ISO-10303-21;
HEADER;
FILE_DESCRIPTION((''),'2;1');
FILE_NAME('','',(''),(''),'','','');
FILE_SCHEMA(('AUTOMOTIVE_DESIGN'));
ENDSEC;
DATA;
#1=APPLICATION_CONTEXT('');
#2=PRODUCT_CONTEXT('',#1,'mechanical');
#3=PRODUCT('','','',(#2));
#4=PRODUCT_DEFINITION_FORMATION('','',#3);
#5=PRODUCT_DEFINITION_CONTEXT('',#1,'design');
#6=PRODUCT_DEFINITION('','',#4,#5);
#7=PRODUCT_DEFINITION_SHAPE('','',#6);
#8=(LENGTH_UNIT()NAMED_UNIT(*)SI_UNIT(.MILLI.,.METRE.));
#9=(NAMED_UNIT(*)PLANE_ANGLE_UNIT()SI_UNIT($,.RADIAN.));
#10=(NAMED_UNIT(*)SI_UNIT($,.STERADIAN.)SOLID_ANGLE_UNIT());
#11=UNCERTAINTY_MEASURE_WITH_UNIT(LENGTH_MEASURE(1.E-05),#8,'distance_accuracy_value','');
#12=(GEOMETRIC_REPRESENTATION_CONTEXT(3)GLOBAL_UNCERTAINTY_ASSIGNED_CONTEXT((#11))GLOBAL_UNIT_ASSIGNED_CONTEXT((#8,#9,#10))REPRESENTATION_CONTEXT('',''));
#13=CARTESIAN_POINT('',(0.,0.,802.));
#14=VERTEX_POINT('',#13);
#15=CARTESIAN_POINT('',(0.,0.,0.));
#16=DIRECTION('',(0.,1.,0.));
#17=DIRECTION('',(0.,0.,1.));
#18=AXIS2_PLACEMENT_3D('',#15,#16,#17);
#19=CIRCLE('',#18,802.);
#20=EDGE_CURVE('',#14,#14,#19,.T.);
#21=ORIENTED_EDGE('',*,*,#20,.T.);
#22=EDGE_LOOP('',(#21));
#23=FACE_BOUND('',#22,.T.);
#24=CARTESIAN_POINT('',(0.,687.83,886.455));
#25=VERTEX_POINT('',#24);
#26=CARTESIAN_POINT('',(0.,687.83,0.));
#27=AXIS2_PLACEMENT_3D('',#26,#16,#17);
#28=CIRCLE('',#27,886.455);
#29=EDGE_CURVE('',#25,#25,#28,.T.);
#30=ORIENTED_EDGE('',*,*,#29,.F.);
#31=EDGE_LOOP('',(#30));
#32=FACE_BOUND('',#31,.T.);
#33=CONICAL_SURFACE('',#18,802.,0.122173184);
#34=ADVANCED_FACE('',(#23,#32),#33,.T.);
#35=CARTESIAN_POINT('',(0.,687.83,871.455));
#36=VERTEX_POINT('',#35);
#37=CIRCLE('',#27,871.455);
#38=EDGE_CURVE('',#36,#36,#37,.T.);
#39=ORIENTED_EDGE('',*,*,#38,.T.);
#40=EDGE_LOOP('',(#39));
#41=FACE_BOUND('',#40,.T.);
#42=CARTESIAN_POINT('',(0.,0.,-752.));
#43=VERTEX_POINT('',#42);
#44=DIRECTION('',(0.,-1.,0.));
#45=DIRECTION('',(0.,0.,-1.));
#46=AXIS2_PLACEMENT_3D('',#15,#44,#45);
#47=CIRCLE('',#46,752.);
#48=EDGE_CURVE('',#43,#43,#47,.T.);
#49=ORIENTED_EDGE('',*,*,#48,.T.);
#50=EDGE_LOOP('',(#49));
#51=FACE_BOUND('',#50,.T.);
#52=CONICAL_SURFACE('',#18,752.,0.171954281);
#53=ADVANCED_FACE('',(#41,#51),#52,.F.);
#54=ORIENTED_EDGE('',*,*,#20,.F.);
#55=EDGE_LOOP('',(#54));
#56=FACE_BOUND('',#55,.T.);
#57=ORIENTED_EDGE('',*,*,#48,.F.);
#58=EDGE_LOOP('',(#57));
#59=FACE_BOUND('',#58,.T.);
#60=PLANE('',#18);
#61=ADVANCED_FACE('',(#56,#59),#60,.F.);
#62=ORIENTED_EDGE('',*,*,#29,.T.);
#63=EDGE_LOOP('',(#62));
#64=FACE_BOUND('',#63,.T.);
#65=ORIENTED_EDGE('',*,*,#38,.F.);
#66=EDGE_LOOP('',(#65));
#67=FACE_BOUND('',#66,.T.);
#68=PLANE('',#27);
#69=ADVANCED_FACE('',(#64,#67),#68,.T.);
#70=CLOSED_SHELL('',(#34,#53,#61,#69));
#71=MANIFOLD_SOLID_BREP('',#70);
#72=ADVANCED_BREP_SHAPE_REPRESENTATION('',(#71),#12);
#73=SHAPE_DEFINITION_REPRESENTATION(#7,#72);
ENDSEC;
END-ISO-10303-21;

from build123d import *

# Parameters (mm, degrees)
SKETCH_1_R = 802
SKETCH_2_R = 886.455
SKETCH_4_R = 871.455
SKETCH_3_R = 752


with BuildPart() as part:
    # 草图1 → Loft 1 section 0
    with BuildSketch(Plane(origin=(0, 0, 0), x_dir=(1, 0, 0), z_dir=(0, 1, 0))):
        Circle(SKETCH_1_R)
    # 草图2 → Loft 1 section 1
    with BuildSketch(Plane(origin=(0, 687.83, 0), x_dir=(1, 0, 0), z_dir=(0, 1, 0))):
        Circle(SKETCH_2_R)
    loft()

    # 草图4 → Loft 1 2 section 0
    with BuildSketch(Plane(origin=(0, 687.83, 0), x_dir=(1, 0, 0), z_dir=(0, 1, 0))):
        Circle(SKETCH_4_R)
    # 草图3 → Loft 1 2 section 1
    with BuildSketch(Plane.XZ):
        Circle(SKETCH_3_R)
    loft(mode=Mode.SUBTRACT)


solid = part.part
